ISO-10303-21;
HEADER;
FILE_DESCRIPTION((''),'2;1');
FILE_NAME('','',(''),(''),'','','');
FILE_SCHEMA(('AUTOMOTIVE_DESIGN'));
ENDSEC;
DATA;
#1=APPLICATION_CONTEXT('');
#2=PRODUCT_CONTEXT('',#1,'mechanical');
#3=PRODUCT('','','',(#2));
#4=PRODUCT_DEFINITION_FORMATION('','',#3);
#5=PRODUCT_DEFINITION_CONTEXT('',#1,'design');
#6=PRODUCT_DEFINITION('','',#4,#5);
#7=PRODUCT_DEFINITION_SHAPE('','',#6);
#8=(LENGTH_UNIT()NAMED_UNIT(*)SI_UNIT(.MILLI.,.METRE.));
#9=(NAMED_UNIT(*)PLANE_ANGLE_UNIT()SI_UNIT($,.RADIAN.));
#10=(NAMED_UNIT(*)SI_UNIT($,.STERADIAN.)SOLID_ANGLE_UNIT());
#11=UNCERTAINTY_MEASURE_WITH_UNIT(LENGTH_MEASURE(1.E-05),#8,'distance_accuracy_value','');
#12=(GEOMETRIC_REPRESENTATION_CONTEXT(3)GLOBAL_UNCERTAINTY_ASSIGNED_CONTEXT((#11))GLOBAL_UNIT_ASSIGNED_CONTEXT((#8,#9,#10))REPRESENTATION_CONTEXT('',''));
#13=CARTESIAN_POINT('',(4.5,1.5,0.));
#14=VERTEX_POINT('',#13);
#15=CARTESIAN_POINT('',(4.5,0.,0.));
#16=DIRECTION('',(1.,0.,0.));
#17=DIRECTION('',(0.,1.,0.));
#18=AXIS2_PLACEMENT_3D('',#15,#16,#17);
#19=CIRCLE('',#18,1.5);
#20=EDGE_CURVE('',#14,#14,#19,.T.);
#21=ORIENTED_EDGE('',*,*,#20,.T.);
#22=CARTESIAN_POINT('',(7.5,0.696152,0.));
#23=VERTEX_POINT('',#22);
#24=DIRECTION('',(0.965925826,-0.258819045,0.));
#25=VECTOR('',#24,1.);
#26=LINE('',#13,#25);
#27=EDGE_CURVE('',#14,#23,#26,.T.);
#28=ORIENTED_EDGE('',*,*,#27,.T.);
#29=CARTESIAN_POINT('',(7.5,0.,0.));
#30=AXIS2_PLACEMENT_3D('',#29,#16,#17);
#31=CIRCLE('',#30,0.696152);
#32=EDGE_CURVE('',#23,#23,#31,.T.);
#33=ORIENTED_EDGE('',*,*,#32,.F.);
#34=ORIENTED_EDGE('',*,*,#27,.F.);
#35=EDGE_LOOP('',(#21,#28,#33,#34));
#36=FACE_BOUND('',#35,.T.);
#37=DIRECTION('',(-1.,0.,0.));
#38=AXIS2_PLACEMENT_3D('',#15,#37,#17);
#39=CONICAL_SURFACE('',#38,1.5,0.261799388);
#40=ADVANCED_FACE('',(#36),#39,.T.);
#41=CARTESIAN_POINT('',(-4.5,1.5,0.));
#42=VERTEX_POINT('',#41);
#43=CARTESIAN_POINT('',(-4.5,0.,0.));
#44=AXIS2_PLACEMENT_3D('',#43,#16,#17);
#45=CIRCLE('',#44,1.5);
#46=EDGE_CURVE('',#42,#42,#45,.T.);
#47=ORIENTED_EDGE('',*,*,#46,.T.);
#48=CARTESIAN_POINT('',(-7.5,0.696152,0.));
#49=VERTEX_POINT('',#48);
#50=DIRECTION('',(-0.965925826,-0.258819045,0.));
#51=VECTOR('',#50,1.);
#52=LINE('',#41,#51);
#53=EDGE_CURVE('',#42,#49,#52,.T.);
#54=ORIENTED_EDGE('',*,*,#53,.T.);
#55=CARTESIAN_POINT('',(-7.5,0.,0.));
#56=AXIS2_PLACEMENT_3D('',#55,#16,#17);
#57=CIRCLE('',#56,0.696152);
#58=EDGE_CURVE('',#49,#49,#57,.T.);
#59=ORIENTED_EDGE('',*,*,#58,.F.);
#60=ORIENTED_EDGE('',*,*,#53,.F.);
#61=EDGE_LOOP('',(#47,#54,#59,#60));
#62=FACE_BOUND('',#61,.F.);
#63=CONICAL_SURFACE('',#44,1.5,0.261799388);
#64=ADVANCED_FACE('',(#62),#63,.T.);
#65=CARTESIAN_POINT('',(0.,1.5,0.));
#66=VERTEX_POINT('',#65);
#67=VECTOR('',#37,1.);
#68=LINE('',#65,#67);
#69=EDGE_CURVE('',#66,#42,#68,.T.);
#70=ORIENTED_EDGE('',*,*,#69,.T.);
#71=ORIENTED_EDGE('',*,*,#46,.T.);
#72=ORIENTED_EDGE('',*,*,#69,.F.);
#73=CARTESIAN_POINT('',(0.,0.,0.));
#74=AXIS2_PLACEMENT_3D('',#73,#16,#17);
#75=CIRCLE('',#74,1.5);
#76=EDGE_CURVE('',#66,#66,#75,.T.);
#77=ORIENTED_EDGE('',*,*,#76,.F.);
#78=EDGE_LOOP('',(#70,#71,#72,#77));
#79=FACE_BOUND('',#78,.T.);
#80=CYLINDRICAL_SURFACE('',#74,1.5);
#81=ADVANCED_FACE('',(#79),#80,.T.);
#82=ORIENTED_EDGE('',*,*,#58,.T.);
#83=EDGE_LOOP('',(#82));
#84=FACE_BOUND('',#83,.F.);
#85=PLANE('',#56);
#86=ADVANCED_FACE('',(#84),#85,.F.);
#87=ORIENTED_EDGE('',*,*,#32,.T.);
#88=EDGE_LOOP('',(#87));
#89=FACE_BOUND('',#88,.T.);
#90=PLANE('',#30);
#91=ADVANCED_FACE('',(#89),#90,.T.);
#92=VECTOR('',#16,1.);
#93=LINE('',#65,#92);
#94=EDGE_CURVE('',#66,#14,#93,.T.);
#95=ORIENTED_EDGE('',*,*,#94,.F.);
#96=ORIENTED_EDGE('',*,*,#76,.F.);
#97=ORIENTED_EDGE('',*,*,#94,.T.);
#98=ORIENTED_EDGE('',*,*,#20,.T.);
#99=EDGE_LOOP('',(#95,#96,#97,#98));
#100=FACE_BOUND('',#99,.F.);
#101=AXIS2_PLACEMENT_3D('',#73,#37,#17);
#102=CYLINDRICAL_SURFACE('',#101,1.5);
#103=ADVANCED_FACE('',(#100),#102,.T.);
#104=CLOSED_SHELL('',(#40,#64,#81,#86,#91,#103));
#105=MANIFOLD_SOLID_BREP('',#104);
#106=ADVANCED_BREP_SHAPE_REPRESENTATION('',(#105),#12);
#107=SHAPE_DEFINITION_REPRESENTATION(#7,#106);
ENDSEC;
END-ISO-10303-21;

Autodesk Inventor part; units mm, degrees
ref_plane "YZ Plane" through (0, 0, 0) normal (1, 0, 0) x (0, 1, 0)
ref_plane "XZ Plane" through (0, 0, 0) normal (0, 1, 0) x (-1, 0, 0)
ref_plane "XY Plane" through (0, 0, 0) normal (0, 0, 1) x (1, 0, 0)
sketch "Esquisse1" plane through (0, 0, 0) normal (1, 0, 0) x (0, 1, 0)
  circle A0 centre (0, 0) radius 1.5
  dimension "d0" = 3
extrude "Extrusion1" add sketch "Esquisse1" along normal mid plane 15
chamfer "Chanfrein2" distance 3 angle 15 1 edges at (7.5, -1.5, 0) measured on face at (5, 1.4951, -0.1207)
chamfer "Chanfrein3" distance 3 angle 15 1 edges at (-7.5, -1.5, 0) measured on face at (-5, 1.4951, -0.1207)
properties part number "goupille"
